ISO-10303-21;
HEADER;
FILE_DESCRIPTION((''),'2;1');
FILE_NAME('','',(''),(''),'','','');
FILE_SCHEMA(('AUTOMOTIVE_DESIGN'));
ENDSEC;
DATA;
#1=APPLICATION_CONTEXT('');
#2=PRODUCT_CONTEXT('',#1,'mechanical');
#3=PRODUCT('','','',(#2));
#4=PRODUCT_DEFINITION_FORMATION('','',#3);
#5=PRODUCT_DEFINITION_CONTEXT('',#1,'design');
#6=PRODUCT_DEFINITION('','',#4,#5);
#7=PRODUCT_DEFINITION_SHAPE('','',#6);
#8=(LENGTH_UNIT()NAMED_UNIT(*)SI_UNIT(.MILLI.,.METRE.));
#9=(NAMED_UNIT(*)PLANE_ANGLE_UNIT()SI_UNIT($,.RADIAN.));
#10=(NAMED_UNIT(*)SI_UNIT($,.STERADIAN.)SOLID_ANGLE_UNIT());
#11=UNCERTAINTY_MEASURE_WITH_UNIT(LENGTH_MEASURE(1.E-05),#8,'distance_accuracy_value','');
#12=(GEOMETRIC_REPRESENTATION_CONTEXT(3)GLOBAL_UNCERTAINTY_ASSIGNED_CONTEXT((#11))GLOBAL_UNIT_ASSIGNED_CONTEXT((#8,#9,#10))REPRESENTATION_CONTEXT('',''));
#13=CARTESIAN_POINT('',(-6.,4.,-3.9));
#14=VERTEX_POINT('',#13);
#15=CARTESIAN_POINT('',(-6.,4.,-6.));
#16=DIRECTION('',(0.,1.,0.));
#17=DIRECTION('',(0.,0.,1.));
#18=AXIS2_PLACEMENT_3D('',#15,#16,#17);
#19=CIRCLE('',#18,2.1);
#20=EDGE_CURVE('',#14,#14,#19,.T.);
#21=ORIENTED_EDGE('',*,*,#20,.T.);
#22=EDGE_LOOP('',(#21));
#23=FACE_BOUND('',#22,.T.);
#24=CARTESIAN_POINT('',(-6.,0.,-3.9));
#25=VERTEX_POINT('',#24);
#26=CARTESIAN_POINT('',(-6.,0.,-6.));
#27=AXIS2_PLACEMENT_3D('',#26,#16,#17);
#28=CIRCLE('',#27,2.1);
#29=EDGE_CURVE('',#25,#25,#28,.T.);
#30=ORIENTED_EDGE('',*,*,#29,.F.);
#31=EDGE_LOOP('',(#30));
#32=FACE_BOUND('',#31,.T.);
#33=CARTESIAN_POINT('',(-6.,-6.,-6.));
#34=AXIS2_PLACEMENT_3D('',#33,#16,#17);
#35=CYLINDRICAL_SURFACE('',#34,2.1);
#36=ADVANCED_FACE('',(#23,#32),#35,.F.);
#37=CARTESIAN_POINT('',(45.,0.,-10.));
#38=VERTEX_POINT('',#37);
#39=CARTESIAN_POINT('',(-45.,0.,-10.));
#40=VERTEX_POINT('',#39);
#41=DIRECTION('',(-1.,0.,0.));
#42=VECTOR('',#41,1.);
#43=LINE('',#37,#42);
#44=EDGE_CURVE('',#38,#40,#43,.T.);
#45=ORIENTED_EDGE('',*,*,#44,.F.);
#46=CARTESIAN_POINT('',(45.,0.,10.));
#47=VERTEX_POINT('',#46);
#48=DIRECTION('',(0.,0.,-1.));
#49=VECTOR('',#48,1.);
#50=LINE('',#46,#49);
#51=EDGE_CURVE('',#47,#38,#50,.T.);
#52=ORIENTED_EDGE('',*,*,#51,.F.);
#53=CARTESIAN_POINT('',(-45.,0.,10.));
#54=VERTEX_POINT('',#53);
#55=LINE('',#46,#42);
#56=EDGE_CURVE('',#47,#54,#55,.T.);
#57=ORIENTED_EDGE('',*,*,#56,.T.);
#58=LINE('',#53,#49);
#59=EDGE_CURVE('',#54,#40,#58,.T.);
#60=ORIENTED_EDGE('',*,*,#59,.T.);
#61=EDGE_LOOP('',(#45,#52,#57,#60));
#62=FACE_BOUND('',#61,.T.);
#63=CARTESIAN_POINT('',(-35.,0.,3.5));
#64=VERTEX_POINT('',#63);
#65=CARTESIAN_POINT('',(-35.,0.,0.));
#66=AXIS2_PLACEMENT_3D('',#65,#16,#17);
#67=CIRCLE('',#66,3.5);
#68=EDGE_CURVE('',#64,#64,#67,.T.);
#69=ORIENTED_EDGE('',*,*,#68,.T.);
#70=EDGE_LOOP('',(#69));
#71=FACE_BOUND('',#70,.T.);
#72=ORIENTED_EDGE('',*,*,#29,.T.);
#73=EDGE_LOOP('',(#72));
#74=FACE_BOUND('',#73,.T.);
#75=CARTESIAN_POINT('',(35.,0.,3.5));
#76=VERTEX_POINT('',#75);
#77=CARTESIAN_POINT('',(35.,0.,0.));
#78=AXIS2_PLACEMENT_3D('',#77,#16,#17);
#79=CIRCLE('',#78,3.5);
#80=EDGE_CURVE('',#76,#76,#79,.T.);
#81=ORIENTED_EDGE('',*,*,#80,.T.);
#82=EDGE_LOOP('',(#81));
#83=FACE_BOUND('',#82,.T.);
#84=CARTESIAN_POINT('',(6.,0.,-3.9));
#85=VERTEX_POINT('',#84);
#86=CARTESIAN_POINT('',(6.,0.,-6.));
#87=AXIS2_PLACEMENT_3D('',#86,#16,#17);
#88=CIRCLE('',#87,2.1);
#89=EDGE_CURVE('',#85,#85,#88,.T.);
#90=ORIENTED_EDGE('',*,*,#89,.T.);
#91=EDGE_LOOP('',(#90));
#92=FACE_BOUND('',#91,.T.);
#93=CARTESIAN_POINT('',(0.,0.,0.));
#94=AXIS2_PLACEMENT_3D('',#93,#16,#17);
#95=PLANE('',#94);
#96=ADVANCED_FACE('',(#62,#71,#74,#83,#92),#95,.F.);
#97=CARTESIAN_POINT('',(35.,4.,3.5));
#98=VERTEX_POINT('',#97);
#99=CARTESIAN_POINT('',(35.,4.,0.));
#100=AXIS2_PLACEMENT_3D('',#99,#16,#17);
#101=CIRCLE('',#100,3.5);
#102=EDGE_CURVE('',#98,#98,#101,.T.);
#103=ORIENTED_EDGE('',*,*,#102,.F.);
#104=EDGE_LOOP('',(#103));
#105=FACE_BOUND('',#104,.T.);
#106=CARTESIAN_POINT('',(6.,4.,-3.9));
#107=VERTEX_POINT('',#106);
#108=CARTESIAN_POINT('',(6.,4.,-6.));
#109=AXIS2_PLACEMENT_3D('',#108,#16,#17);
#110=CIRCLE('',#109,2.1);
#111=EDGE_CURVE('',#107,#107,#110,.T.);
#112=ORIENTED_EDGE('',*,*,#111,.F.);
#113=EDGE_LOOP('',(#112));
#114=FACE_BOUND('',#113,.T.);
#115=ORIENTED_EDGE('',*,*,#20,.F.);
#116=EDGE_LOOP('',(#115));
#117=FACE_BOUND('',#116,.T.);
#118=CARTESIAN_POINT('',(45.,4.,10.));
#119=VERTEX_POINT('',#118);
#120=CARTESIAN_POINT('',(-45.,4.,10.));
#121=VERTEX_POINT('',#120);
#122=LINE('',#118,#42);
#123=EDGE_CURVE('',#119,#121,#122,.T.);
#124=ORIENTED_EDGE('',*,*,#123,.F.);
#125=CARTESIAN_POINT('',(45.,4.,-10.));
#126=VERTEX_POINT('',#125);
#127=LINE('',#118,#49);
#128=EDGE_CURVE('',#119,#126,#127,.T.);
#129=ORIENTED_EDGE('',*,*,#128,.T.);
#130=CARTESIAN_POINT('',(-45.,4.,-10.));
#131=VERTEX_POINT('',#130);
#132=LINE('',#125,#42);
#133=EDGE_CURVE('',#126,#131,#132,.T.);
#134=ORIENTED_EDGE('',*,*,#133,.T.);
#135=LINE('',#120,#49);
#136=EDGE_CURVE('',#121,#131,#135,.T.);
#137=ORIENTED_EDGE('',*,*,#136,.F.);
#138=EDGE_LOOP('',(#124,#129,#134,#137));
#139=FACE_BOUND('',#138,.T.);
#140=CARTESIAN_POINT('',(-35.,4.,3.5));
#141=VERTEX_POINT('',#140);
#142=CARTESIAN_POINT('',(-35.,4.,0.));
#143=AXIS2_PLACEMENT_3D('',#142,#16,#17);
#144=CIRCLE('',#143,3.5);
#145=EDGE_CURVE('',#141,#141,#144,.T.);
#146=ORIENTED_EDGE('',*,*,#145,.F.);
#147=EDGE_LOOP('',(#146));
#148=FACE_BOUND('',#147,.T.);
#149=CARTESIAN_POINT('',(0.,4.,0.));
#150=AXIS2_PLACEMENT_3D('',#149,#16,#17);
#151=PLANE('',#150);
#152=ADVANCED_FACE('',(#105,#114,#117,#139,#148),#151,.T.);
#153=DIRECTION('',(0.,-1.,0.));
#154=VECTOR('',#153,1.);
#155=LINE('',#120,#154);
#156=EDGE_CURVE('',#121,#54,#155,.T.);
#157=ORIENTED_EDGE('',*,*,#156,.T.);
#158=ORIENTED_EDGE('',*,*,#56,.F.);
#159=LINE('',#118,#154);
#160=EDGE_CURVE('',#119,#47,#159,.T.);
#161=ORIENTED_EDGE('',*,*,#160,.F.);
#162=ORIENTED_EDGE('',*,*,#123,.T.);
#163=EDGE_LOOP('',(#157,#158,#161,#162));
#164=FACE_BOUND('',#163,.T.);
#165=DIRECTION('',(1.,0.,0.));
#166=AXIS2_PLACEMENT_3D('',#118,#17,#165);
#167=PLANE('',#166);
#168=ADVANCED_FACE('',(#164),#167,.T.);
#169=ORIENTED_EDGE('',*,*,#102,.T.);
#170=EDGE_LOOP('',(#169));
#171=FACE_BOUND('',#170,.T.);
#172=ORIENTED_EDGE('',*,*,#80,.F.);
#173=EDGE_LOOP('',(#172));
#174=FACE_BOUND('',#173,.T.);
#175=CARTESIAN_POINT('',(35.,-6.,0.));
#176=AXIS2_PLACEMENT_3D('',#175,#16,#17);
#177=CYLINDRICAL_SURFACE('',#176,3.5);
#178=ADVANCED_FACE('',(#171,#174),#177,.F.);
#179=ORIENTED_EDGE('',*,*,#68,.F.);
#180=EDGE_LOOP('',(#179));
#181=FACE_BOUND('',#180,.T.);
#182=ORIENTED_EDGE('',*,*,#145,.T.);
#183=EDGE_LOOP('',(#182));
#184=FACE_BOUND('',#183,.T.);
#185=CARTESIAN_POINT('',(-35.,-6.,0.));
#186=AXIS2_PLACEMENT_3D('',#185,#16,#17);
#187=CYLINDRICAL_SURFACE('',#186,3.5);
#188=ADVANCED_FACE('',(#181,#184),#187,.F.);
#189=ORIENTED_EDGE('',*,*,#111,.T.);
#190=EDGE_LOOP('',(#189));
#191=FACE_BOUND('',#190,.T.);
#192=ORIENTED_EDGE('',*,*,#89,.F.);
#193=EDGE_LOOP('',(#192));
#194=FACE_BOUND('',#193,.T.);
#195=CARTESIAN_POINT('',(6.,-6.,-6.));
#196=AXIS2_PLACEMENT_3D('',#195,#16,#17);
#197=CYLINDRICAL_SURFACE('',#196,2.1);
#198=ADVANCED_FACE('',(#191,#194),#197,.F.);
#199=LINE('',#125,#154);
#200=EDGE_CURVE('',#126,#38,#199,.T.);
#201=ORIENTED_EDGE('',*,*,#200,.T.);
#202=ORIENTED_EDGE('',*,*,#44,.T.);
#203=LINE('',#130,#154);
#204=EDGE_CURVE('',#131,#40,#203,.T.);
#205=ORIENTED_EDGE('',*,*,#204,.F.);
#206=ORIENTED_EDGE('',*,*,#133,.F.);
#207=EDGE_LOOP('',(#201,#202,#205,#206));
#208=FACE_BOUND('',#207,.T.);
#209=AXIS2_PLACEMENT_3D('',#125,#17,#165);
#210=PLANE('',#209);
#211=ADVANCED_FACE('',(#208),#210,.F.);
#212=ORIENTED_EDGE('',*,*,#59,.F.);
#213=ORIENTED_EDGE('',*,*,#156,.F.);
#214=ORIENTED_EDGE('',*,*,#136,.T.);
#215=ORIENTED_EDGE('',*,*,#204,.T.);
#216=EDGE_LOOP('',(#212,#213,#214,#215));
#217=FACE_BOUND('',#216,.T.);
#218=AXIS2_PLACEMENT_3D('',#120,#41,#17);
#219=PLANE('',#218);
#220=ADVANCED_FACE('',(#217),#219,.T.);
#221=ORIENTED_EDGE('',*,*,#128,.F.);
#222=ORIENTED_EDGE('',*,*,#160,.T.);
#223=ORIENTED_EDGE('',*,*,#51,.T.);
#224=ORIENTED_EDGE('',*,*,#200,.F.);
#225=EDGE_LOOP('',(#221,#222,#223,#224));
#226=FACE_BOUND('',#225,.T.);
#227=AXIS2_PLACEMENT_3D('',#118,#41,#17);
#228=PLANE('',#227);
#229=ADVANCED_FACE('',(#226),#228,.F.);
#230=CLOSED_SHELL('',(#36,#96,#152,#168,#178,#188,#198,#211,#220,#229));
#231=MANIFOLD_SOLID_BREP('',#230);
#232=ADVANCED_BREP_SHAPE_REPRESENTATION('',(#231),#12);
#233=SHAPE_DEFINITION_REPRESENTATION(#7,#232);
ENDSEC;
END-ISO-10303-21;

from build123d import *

# Parameters (mm, degrees)
SKETCH_1_W          = 90
SKETCH_1_H          = 20
EXTRUDE_1_DEPTH     = 4
SKETCH_2_R          = 3.5
SKETCH_2_R_2        = 2.1
CUT_EXTRUDE_1_DEPTH = 10


with BuildPart() as part:
    # 草图1 → 凸台-拉伸1 (new body)
    with BuildSketch(Plane(origin=(0, 0, 0), x_dir=(1, 0, 0), z_dir=(0, 1, 0))):
        Rectangle(SKETCH_1_W, SKETCH_1_H)
    extrude(amount=EXTRUDE_1_DEPTH)

    # 草图2 → 切除-拉伸1 (cut)
    with BuildSketch(Plane(origin=(0, 4, 0), x_dir=(1, 0, 0), z_dir=(0, 1, 0))):
        with Locations((-35, 0)):
            Circle(SKETCH_2_R)
        with Locations((35, 0)):
            Circle(SKETCH_2_R)
        with Locations((-6, 6)):
            Circle(SKETCH_2_R_2)
        with Locations((6, 6)):
            Circle(SKETCH_2_R_2)
    extrude(amount=-CUT_EXTRUDE_1_DEPTH, mode=Mode.SUBTRACT)


solid = part.part
